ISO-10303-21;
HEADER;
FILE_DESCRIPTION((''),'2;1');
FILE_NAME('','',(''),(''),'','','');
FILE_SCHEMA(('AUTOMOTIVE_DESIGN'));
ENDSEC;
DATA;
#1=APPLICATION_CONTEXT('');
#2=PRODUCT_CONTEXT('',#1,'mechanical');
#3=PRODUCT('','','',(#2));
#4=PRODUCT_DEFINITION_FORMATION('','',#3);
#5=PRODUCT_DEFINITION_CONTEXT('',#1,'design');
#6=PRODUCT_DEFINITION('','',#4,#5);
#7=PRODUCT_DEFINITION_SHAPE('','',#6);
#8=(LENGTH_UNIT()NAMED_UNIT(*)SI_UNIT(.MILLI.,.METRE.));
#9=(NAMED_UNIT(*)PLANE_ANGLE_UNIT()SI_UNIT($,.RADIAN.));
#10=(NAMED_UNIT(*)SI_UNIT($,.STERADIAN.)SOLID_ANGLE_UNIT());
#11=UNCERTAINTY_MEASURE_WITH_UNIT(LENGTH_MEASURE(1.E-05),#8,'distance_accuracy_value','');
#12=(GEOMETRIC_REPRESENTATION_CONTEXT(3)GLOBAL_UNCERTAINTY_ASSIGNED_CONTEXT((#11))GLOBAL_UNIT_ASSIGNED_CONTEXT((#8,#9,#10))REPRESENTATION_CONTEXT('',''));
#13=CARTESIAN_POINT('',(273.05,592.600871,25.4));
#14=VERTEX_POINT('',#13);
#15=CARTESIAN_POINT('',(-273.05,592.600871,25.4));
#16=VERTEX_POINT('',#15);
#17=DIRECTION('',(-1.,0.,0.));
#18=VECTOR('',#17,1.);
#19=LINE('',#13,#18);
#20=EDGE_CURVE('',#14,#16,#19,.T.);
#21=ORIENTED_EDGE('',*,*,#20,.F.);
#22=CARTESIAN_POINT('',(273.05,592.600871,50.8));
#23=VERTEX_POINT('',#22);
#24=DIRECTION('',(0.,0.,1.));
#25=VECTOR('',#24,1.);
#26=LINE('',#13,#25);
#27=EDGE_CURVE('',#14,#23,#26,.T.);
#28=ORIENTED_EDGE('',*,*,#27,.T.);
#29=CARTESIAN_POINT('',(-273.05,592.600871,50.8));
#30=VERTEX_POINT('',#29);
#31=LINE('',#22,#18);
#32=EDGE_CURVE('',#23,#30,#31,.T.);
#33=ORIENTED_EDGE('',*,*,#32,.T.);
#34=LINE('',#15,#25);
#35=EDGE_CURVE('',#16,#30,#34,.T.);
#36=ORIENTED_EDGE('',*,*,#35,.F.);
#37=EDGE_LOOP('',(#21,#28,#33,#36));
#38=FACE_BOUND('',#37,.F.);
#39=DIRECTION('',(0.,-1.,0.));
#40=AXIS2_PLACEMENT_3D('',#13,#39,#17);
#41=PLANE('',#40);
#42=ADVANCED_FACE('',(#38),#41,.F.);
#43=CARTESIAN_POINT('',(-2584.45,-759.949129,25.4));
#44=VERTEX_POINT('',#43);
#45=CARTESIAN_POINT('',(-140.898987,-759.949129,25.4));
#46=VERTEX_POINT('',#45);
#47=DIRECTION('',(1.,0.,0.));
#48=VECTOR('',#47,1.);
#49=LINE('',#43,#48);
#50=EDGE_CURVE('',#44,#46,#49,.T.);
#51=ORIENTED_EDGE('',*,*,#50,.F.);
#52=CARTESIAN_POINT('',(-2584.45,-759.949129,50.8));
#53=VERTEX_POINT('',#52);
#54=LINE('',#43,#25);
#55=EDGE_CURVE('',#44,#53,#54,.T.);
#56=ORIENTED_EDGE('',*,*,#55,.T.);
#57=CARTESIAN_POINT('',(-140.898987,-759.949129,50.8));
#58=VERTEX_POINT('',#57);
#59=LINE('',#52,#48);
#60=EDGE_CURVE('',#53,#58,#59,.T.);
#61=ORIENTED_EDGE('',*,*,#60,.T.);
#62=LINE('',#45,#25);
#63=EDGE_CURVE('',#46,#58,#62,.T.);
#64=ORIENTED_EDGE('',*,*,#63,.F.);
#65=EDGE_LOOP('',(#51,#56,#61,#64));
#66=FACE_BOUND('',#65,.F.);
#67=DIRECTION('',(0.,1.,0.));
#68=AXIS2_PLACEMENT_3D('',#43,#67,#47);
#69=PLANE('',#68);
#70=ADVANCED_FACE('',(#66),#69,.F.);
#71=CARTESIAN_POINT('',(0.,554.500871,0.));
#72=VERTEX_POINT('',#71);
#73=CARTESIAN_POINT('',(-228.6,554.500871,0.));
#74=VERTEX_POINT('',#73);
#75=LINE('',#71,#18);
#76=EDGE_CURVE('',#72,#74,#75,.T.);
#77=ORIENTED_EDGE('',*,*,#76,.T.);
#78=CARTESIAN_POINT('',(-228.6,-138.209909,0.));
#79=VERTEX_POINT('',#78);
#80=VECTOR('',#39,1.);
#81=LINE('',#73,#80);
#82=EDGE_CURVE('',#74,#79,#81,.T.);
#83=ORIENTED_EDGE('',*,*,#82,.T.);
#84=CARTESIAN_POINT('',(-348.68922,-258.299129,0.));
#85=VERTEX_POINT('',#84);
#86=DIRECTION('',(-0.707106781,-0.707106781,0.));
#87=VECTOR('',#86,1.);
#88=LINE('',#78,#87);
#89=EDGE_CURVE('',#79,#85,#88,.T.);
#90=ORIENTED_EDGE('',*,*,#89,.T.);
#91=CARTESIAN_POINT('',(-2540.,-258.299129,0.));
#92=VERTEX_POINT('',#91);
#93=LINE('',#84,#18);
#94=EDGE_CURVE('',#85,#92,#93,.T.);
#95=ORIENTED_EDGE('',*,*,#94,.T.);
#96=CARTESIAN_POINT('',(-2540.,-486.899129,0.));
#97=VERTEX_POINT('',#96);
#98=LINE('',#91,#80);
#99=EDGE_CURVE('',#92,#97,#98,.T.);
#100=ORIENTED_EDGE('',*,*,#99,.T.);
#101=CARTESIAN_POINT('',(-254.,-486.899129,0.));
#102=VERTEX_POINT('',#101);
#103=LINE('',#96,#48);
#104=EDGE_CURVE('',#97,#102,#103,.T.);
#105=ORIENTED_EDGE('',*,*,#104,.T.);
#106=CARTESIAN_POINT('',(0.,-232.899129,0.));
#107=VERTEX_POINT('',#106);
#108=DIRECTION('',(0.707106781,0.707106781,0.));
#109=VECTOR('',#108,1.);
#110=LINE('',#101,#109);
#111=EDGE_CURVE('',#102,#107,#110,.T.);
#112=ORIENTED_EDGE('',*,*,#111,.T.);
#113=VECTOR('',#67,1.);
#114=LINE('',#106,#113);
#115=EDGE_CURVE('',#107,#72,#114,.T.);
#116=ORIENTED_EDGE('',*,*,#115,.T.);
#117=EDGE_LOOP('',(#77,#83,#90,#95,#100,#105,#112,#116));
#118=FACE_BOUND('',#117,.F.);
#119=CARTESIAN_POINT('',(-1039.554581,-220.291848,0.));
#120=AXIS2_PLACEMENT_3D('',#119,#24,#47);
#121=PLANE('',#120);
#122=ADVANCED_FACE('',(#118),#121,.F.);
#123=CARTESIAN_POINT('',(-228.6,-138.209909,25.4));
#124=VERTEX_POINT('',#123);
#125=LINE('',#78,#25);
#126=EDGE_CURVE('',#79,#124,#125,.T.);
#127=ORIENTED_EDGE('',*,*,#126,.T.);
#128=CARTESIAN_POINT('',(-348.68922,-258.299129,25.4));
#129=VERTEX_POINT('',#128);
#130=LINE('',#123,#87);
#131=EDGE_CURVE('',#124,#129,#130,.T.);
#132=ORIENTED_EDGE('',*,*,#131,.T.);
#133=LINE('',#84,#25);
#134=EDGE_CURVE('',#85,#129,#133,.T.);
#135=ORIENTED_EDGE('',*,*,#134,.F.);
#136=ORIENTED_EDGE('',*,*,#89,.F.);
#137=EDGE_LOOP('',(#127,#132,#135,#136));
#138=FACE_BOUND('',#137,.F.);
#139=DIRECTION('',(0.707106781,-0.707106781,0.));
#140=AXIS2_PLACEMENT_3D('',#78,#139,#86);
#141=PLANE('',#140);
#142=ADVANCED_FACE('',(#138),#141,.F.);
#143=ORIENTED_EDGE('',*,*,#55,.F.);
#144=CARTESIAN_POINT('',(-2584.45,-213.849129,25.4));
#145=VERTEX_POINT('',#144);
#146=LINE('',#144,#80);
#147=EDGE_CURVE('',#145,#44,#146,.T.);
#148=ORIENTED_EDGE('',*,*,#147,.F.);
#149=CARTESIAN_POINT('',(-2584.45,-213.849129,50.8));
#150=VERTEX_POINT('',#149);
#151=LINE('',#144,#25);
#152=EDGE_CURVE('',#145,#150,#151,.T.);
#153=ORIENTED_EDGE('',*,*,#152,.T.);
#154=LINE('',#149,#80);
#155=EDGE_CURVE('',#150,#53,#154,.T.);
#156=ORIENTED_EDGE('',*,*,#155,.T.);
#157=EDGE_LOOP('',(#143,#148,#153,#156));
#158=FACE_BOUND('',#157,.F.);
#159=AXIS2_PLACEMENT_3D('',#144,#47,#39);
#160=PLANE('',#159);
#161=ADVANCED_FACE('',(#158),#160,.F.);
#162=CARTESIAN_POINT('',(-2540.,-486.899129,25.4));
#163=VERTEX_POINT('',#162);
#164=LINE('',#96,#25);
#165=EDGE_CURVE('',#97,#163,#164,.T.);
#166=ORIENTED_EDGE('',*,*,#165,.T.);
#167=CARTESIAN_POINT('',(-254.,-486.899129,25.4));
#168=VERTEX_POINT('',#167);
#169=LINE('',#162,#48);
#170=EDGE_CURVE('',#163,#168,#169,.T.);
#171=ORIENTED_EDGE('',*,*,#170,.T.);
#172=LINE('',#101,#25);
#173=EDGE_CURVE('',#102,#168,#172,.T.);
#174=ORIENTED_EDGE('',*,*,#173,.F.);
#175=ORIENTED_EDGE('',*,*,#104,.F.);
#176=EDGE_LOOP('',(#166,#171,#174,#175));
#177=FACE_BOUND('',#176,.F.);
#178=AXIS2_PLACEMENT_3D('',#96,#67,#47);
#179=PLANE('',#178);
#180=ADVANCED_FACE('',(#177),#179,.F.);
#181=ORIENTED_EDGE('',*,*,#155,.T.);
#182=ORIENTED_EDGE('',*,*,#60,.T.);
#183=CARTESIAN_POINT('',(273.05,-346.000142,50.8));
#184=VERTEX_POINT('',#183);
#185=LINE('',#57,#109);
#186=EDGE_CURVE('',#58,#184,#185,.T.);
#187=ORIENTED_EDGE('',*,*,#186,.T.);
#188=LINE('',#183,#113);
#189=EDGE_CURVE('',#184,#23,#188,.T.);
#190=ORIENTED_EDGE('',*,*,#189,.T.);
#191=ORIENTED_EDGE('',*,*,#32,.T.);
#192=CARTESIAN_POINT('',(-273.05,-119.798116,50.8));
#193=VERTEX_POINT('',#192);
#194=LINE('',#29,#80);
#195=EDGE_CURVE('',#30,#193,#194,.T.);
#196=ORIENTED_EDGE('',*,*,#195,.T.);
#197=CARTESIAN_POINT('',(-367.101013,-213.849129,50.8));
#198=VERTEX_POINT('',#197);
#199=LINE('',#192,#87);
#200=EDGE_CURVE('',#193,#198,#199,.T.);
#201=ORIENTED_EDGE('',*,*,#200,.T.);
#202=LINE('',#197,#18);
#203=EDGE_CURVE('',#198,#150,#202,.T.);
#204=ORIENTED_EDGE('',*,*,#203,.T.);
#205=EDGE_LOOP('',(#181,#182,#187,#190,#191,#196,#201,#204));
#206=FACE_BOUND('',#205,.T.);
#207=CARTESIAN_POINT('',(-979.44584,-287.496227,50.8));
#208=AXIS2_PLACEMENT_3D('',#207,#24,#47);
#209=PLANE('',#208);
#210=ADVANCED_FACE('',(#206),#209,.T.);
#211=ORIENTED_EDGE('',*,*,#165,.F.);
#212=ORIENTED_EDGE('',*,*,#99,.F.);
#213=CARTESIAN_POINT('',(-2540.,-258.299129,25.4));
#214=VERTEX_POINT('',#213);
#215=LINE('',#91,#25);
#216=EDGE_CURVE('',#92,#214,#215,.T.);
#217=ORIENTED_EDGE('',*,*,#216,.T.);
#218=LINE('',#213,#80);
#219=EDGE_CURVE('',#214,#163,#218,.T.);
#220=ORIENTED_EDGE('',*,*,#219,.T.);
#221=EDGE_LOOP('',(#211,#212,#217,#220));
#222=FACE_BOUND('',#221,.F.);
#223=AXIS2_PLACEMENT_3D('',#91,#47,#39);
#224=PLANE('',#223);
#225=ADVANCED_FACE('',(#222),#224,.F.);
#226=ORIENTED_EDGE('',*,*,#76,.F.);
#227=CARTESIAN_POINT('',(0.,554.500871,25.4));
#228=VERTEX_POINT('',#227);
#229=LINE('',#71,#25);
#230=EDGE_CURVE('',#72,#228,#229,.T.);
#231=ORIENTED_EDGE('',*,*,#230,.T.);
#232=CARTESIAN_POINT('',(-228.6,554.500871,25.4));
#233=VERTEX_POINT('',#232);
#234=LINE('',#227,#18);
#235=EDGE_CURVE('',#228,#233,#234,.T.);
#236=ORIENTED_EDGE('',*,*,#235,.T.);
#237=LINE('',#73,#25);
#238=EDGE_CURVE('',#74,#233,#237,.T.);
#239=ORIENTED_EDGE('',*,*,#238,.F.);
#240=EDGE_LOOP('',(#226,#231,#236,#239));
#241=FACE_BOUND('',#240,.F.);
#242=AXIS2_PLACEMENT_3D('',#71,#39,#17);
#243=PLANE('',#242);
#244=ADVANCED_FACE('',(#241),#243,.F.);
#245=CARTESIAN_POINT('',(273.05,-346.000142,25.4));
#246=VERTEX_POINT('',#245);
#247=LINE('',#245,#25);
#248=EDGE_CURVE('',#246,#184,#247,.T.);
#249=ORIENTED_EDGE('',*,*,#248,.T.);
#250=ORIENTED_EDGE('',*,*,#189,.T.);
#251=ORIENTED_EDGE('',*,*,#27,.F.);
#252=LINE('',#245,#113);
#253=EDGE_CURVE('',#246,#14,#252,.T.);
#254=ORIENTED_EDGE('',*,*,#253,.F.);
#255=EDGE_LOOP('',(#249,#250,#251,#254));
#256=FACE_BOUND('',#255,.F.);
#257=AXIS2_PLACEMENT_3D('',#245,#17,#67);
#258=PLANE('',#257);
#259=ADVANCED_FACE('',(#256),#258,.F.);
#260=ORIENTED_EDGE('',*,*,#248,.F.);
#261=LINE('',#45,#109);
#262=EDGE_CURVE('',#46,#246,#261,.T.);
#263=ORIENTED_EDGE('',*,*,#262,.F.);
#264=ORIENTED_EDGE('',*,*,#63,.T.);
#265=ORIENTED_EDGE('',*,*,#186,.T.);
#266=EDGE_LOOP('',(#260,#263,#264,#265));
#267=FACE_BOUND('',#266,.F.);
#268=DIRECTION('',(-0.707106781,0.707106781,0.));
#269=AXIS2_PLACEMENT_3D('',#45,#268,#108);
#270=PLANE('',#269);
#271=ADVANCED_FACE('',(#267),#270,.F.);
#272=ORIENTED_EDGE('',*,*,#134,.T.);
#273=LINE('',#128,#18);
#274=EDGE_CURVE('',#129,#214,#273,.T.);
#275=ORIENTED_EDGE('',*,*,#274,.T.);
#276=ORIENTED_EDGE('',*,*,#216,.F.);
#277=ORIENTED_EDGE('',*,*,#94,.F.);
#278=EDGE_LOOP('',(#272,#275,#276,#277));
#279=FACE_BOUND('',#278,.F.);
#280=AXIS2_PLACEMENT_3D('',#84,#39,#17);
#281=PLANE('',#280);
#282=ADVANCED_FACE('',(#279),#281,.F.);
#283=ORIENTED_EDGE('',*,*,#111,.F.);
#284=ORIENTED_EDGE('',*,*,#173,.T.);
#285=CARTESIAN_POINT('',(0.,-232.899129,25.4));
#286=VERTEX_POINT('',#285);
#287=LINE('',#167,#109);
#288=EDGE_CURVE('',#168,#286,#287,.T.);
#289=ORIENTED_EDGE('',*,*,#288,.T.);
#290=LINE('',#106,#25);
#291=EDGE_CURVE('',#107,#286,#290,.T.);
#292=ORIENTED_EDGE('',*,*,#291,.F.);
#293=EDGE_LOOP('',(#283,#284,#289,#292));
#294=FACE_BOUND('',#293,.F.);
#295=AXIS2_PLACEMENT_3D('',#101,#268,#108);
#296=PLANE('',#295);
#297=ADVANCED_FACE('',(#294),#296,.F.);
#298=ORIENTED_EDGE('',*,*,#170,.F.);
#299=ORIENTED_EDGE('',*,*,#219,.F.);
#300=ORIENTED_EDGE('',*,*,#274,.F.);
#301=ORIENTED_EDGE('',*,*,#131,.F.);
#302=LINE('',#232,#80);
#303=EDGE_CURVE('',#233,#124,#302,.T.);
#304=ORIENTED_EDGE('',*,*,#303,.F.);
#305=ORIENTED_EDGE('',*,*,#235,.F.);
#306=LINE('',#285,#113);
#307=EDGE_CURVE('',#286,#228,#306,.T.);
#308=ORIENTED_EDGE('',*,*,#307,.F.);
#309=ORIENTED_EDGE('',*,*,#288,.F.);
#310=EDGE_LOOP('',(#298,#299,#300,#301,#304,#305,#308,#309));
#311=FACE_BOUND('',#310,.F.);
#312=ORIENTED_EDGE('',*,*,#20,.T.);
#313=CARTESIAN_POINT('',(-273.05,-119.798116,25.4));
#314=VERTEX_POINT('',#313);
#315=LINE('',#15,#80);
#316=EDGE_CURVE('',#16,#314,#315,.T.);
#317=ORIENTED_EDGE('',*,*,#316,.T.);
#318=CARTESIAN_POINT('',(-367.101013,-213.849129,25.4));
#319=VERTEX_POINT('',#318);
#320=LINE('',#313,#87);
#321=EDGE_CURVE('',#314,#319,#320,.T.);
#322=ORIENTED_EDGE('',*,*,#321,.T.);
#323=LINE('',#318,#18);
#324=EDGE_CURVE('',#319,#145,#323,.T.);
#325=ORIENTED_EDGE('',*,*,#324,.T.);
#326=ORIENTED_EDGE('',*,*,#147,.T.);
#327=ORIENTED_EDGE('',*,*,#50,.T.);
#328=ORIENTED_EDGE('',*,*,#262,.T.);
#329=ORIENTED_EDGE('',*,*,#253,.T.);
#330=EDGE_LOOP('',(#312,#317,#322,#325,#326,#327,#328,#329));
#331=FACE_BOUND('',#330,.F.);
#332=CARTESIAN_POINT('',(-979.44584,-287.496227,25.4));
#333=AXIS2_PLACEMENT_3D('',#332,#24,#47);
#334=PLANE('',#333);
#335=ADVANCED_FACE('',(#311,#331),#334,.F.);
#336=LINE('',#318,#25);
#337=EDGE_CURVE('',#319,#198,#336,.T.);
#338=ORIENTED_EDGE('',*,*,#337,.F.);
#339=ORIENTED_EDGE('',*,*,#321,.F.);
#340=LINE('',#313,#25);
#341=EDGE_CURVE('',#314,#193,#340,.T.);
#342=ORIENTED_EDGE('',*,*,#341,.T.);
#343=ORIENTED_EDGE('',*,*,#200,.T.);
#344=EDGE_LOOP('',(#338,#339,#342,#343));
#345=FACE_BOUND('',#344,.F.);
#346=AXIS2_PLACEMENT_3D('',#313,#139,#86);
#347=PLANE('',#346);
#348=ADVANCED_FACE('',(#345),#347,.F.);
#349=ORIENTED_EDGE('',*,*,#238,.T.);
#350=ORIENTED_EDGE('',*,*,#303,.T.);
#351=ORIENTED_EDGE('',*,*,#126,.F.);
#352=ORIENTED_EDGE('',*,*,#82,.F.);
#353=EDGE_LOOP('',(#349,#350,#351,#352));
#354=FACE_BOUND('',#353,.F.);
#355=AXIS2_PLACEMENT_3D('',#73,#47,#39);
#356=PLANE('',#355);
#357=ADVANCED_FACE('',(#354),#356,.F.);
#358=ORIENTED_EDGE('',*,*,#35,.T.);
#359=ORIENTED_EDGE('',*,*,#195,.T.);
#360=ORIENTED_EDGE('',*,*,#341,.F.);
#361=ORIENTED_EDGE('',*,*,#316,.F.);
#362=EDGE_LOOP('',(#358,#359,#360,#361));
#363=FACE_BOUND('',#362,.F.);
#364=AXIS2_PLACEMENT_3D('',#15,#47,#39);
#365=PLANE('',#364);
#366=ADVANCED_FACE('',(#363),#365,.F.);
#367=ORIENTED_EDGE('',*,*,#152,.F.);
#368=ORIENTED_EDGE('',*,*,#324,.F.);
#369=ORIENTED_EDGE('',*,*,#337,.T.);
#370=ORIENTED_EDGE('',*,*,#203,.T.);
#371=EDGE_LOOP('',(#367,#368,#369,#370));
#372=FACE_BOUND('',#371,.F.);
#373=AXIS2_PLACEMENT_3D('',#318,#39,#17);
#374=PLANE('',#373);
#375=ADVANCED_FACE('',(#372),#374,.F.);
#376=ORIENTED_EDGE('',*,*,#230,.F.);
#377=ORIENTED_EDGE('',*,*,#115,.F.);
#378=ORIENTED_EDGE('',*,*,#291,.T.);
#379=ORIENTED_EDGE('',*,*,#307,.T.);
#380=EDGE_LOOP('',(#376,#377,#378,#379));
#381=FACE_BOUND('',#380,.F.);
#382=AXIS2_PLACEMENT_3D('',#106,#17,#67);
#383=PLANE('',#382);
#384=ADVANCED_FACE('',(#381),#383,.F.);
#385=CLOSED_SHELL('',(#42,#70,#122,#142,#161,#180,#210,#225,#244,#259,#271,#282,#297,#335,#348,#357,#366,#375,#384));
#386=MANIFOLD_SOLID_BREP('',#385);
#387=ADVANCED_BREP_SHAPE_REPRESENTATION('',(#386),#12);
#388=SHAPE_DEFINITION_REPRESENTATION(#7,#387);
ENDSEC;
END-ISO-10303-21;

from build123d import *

# Parameters (mm, degrees)
F1_DEPTH = 25.4
F3_DEPTH = 25.4


with BuildPart() as f1:
    # F0 (on Top) → F1 (new body)
    with BuildSketch(Plane.XY):
        Polygon((-2540, -258.299129), (-2540, -486.899129), (-254, -486.899129), (0, -232.899129), (0, 554.500871), (-228.6, 554.500871), (-228.6, -138.209909), (-348.68922, -258.299129), align=None)
    extrude(amount=F1_DEPTH)

    # F2 (on face) → F3 (join)
    with BuildSketch(Plane.XY.offset(25.4)):
        Polygon((-367.101013, -213.849129), (-2584.45, -213.849129), (-2584.45, -759.949129), (-140.898987, -759.949129), (273.05, -346.000142), (273.05, 592.600871), (-273.05, 592.600871), (-273.05, -119.798116), align=None)
    extrude(amount=F3_DEPTH)


solid = f1.part
